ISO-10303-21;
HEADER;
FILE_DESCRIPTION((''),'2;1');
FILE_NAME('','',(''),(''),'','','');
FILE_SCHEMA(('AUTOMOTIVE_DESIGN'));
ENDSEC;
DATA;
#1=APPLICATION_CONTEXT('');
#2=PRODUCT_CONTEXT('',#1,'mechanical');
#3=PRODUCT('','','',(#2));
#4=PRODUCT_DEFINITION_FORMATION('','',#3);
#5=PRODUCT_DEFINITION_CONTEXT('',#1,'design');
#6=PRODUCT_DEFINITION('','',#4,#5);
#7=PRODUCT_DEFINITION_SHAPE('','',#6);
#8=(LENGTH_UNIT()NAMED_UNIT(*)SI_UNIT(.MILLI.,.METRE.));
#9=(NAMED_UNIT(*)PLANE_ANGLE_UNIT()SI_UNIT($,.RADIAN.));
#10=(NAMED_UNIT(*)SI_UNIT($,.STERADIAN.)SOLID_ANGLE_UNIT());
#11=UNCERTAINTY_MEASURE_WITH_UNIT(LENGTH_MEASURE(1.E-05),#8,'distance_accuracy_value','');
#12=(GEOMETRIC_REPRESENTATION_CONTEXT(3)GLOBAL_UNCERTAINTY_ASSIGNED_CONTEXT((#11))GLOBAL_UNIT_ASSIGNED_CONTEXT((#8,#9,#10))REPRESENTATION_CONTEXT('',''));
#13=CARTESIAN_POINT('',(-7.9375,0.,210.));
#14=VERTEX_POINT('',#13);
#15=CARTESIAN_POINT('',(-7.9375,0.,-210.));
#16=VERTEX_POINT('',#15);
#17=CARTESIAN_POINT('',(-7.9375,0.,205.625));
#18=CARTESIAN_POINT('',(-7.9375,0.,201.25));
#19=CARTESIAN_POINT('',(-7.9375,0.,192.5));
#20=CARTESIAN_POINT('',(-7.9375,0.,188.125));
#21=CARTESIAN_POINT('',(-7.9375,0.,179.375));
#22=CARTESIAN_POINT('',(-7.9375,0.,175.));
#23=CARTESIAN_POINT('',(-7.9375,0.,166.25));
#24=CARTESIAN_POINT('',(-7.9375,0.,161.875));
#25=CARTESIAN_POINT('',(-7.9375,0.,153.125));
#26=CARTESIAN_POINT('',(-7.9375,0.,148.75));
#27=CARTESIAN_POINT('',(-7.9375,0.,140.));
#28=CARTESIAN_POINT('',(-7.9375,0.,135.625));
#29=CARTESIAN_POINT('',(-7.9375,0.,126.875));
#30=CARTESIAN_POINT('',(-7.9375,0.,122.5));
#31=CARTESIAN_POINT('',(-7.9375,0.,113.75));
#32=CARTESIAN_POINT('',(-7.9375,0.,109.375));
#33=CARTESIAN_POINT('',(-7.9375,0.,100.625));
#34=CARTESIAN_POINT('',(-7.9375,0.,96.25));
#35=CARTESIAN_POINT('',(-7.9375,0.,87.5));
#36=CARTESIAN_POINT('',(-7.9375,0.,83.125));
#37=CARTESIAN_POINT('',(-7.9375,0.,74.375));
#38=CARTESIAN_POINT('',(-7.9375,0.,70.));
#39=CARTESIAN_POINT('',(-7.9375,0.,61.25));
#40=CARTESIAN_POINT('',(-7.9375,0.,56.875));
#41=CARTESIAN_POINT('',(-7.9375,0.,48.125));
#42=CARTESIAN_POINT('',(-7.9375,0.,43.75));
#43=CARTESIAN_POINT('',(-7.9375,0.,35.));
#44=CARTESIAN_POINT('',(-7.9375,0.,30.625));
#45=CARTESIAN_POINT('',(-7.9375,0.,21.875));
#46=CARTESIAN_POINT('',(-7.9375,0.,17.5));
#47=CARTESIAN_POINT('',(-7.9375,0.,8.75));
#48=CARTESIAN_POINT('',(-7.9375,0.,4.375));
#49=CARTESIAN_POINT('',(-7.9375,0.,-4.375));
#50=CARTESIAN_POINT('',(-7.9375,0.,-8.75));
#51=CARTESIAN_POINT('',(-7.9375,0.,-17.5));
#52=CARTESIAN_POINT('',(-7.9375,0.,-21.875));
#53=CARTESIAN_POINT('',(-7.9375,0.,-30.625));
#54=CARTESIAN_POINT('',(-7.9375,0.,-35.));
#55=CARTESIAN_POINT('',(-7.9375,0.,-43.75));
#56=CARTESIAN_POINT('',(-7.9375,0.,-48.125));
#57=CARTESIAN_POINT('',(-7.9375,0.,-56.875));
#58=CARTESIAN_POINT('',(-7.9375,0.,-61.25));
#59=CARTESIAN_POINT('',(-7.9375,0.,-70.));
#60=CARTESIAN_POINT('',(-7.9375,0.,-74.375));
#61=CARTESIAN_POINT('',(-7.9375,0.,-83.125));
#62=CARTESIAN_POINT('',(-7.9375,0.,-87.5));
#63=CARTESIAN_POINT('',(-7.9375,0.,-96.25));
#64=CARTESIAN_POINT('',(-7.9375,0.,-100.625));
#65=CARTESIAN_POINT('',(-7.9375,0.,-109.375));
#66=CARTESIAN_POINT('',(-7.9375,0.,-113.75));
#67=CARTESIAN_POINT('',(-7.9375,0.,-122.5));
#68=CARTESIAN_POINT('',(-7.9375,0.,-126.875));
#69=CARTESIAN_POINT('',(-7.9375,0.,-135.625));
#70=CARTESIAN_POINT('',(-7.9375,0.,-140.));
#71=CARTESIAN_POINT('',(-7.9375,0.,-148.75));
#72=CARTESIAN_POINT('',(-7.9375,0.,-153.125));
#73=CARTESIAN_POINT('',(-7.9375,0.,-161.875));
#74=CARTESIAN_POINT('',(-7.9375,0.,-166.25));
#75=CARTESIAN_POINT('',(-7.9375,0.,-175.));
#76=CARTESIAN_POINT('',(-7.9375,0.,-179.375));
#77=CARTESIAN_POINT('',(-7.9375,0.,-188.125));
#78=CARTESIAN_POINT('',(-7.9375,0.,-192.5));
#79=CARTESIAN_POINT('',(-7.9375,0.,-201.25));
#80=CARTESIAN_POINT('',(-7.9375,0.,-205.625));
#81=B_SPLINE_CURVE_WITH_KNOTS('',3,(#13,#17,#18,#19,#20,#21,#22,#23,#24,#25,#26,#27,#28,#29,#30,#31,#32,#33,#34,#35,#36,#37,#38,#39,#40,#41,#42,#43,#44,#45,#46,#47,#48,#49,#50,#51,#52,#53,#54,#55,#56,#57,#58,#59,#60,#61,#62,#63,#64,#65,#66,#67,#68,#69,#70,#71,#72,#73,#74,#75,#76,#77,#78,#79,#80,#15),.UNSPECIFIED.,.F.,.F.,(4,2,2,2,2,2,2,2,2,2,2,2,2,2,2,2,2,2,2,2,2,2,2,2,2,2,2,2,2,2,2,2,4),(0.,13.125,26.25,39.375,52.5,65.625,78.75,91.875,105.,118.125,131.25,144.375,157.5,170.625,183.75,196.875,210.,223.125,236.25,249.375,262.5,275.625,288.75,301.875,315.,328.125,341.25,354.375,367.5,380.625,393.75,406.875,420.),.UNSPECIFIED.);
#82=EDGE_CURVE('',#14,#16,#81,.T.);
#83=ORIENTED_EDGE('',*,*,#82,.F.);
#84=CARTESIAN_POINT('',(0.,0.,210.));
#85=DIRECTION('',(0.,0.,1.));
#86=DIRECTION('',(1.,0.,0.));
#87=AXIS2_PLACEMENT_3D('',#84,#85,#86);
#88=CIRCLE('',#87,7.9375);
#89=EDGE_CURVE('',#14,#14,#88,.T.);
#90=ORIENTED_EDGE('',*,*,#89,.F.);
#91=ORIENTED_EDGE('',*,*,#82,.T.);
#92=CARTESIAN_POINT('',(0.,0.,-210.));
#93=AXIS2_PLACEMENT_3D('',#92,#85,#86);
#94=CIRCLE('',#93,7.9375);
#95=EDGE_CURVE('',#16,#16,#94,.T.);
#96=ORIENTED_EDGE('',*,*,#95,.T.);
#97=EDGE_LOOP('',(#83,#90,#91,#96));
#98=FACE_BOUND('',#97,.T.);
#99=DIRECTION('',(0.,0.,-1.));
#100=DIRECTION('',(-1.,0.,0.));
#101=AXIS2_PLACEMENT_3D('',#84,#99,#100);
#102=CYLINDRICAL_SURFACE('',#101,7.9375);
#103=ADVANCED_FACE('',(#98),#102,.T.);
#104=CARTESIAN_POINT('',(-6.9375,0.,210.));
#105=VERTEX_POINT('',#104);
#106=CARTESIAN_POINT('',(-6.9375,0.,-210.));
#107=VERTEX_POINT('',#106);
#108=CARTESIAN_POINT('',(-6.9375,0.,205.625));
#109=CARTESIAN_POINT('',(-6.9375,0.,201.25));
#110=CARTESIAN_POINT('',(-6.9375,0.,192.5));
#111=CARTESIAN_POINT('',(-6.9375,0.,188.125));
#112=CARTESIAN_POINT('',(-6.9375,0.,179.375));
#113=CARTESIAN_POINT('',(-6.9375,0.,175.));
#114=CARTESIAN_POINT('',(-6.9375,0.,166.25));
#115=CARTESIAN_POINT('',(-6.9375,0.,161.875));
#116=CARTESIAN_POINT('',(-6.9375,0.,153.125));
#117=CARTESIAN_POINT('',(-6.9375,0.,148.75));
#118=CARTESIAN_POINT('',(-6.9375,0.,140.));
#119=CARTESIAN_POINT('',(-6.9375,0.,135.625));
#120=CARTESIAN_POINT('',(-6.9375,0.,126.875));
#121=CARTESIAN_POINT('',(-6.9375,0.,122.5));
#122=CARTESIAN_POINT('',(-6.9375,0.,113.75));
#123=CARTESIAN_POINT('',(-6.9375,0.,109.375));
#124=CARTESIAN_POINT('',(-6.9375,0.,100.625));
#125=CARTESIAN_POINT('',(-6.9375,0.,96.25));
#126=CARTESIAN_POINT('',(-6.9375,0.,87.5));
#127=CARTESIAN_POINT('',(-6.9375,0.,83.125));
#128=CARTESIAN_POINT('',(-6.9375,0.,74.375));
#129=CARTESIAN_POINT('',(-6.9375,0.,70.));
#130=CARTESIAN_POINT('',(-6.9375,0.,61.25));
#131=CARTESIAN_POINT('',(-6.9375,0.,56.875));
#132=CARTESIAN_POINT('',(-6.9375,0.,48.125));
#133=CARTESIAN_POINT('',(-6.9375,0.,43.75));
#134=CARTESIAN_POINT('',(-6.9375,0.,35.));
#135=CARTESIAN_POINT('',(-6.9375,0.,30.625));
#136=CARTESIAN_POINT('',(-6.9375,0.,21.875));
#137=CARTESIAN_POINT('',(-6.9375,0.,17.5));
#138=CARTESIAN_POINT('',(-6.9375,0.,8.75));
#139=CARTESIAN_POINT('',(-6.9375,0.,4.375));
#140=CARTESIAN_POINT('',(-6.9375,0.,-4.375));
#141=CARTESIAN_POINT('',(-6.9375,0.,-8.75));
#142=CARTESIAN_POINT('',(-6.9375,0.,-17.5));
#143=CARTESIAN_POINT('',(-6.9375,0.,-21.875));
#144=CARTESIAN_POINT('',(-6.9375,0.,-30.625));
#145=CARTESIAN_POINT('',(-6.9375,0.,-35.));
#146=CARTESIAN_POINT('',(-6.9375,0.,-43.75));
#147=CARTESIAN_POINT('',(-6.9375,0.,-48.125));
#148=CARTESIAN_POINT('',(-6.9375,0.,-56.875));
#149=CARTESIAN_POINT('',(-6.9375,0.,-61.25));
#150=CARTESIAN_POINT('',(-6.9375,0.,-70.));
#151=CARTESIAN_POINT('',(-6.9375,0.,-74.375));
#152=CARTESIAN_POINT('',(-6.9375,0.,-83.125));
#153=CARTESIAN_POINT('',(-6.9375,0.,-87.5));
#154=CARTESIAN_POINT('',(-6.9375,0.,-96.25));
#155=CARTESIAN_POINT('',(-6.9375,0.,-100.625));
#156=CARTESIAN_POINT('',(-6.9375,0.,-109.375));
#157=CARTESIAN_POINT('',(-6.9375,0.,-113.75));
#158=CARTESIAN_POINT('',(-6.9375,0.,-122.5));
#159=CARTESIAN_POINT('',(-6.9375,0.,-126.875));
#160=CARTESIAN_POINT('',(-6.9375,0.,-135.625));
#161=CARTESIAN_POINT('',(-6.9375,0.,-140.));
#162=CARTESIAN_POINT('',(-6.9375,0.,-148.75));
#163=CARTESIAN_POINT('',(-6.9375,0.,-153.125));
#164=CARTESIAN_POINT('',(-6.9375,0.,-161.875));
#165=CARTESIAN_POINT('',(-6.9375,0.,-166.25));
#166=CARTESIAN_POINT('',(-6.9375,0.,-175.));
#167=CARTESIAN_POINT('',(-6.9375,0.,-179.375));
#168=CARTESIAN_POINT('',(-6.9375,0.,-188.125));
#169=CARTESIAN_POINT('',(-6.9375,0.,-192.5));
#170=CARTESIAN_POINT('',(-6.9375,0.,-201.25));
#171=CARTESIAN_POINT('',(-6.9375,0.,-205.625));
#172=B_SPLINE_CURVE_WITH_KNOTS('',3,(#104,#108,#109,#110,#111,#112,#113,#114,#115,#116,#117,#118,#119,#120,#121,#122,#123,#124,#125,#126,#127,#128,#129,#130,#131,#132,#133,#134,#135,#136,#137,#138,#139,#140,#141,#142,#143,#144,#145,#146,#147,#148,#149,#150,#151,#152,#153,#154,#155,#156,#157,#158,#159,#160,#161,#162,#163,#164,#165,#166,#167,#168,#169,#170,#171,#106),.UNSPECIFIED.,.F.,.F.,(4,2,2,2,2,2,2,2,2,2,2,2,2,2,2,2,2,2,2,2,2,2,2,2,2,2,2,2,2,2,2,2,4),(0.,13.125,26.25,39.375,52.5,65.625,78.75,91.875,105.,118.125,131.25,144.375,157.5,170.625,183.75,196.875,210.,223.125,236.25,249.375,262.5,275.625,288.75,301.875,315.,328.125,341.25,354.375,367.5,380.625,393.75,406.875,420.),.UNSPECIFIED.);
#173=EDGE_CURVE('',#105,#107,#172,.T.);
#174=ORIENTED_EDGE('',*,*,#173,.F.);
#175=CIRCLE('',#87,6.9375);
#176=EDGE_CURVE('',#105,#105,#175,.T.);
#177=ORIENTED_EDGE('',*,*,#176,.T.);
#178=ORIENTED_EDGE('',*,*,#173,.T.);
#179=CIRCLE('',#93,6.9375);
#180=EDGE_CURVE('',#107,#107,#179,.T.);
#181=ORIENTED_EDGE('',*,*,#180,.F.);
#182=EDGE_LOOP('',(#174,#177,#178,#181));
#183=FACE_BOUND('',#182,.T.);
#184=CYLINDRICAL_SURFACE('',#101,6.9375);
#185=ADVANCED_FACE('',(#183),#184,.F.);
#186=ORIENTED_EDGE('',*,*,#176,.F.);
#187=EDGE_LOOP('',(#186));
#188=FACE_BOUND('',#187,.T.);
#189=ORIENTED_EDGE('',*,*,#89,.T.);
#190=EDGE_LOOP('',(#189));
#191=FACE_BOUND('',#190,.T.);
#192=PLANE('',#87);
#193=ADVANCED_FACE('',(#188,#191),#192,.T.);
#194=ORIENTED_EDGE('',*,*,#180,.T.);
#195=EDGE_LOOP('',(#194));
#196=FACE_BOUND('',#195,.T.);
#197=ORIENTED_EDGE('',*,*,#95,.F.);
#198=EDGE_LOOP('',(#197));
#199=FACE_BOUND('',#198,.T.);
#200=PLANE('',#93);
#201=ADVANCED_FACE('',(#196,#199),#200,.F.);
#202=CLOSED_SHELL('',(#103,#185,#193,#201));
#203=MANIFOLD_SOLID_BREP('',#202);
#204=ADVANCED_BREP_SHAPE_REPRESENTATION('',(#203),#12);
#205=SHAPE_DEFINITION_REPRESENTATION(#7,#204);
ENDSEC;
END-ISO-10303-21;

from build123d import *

# Parameters (mm, degrees)
CROQUIS1_R              = 7.9375
CROQUIS1_R_2            = 6.9375
SALIENTE_EXTRUIR1_DEPTH = 210


with BuildPart() as part:
    # Croquis1 → Saliente-Extruir1 (new, symmetric)
    with BuildSketch(Plane.XY):
        with Locations(Location((0, 0, 0), (0, 0, 180))):
            Circle(CROQUIS1_R)
        with Locations(Location((0, 0, 0), (0, 0, 180))):
            Circle(CROQUIS1_R_2, mode=Mode.SUBTRACT)
    extrude(amount=SALIENTE_EXTRUIR1_DEPTH, both=True)


solid = part.part
